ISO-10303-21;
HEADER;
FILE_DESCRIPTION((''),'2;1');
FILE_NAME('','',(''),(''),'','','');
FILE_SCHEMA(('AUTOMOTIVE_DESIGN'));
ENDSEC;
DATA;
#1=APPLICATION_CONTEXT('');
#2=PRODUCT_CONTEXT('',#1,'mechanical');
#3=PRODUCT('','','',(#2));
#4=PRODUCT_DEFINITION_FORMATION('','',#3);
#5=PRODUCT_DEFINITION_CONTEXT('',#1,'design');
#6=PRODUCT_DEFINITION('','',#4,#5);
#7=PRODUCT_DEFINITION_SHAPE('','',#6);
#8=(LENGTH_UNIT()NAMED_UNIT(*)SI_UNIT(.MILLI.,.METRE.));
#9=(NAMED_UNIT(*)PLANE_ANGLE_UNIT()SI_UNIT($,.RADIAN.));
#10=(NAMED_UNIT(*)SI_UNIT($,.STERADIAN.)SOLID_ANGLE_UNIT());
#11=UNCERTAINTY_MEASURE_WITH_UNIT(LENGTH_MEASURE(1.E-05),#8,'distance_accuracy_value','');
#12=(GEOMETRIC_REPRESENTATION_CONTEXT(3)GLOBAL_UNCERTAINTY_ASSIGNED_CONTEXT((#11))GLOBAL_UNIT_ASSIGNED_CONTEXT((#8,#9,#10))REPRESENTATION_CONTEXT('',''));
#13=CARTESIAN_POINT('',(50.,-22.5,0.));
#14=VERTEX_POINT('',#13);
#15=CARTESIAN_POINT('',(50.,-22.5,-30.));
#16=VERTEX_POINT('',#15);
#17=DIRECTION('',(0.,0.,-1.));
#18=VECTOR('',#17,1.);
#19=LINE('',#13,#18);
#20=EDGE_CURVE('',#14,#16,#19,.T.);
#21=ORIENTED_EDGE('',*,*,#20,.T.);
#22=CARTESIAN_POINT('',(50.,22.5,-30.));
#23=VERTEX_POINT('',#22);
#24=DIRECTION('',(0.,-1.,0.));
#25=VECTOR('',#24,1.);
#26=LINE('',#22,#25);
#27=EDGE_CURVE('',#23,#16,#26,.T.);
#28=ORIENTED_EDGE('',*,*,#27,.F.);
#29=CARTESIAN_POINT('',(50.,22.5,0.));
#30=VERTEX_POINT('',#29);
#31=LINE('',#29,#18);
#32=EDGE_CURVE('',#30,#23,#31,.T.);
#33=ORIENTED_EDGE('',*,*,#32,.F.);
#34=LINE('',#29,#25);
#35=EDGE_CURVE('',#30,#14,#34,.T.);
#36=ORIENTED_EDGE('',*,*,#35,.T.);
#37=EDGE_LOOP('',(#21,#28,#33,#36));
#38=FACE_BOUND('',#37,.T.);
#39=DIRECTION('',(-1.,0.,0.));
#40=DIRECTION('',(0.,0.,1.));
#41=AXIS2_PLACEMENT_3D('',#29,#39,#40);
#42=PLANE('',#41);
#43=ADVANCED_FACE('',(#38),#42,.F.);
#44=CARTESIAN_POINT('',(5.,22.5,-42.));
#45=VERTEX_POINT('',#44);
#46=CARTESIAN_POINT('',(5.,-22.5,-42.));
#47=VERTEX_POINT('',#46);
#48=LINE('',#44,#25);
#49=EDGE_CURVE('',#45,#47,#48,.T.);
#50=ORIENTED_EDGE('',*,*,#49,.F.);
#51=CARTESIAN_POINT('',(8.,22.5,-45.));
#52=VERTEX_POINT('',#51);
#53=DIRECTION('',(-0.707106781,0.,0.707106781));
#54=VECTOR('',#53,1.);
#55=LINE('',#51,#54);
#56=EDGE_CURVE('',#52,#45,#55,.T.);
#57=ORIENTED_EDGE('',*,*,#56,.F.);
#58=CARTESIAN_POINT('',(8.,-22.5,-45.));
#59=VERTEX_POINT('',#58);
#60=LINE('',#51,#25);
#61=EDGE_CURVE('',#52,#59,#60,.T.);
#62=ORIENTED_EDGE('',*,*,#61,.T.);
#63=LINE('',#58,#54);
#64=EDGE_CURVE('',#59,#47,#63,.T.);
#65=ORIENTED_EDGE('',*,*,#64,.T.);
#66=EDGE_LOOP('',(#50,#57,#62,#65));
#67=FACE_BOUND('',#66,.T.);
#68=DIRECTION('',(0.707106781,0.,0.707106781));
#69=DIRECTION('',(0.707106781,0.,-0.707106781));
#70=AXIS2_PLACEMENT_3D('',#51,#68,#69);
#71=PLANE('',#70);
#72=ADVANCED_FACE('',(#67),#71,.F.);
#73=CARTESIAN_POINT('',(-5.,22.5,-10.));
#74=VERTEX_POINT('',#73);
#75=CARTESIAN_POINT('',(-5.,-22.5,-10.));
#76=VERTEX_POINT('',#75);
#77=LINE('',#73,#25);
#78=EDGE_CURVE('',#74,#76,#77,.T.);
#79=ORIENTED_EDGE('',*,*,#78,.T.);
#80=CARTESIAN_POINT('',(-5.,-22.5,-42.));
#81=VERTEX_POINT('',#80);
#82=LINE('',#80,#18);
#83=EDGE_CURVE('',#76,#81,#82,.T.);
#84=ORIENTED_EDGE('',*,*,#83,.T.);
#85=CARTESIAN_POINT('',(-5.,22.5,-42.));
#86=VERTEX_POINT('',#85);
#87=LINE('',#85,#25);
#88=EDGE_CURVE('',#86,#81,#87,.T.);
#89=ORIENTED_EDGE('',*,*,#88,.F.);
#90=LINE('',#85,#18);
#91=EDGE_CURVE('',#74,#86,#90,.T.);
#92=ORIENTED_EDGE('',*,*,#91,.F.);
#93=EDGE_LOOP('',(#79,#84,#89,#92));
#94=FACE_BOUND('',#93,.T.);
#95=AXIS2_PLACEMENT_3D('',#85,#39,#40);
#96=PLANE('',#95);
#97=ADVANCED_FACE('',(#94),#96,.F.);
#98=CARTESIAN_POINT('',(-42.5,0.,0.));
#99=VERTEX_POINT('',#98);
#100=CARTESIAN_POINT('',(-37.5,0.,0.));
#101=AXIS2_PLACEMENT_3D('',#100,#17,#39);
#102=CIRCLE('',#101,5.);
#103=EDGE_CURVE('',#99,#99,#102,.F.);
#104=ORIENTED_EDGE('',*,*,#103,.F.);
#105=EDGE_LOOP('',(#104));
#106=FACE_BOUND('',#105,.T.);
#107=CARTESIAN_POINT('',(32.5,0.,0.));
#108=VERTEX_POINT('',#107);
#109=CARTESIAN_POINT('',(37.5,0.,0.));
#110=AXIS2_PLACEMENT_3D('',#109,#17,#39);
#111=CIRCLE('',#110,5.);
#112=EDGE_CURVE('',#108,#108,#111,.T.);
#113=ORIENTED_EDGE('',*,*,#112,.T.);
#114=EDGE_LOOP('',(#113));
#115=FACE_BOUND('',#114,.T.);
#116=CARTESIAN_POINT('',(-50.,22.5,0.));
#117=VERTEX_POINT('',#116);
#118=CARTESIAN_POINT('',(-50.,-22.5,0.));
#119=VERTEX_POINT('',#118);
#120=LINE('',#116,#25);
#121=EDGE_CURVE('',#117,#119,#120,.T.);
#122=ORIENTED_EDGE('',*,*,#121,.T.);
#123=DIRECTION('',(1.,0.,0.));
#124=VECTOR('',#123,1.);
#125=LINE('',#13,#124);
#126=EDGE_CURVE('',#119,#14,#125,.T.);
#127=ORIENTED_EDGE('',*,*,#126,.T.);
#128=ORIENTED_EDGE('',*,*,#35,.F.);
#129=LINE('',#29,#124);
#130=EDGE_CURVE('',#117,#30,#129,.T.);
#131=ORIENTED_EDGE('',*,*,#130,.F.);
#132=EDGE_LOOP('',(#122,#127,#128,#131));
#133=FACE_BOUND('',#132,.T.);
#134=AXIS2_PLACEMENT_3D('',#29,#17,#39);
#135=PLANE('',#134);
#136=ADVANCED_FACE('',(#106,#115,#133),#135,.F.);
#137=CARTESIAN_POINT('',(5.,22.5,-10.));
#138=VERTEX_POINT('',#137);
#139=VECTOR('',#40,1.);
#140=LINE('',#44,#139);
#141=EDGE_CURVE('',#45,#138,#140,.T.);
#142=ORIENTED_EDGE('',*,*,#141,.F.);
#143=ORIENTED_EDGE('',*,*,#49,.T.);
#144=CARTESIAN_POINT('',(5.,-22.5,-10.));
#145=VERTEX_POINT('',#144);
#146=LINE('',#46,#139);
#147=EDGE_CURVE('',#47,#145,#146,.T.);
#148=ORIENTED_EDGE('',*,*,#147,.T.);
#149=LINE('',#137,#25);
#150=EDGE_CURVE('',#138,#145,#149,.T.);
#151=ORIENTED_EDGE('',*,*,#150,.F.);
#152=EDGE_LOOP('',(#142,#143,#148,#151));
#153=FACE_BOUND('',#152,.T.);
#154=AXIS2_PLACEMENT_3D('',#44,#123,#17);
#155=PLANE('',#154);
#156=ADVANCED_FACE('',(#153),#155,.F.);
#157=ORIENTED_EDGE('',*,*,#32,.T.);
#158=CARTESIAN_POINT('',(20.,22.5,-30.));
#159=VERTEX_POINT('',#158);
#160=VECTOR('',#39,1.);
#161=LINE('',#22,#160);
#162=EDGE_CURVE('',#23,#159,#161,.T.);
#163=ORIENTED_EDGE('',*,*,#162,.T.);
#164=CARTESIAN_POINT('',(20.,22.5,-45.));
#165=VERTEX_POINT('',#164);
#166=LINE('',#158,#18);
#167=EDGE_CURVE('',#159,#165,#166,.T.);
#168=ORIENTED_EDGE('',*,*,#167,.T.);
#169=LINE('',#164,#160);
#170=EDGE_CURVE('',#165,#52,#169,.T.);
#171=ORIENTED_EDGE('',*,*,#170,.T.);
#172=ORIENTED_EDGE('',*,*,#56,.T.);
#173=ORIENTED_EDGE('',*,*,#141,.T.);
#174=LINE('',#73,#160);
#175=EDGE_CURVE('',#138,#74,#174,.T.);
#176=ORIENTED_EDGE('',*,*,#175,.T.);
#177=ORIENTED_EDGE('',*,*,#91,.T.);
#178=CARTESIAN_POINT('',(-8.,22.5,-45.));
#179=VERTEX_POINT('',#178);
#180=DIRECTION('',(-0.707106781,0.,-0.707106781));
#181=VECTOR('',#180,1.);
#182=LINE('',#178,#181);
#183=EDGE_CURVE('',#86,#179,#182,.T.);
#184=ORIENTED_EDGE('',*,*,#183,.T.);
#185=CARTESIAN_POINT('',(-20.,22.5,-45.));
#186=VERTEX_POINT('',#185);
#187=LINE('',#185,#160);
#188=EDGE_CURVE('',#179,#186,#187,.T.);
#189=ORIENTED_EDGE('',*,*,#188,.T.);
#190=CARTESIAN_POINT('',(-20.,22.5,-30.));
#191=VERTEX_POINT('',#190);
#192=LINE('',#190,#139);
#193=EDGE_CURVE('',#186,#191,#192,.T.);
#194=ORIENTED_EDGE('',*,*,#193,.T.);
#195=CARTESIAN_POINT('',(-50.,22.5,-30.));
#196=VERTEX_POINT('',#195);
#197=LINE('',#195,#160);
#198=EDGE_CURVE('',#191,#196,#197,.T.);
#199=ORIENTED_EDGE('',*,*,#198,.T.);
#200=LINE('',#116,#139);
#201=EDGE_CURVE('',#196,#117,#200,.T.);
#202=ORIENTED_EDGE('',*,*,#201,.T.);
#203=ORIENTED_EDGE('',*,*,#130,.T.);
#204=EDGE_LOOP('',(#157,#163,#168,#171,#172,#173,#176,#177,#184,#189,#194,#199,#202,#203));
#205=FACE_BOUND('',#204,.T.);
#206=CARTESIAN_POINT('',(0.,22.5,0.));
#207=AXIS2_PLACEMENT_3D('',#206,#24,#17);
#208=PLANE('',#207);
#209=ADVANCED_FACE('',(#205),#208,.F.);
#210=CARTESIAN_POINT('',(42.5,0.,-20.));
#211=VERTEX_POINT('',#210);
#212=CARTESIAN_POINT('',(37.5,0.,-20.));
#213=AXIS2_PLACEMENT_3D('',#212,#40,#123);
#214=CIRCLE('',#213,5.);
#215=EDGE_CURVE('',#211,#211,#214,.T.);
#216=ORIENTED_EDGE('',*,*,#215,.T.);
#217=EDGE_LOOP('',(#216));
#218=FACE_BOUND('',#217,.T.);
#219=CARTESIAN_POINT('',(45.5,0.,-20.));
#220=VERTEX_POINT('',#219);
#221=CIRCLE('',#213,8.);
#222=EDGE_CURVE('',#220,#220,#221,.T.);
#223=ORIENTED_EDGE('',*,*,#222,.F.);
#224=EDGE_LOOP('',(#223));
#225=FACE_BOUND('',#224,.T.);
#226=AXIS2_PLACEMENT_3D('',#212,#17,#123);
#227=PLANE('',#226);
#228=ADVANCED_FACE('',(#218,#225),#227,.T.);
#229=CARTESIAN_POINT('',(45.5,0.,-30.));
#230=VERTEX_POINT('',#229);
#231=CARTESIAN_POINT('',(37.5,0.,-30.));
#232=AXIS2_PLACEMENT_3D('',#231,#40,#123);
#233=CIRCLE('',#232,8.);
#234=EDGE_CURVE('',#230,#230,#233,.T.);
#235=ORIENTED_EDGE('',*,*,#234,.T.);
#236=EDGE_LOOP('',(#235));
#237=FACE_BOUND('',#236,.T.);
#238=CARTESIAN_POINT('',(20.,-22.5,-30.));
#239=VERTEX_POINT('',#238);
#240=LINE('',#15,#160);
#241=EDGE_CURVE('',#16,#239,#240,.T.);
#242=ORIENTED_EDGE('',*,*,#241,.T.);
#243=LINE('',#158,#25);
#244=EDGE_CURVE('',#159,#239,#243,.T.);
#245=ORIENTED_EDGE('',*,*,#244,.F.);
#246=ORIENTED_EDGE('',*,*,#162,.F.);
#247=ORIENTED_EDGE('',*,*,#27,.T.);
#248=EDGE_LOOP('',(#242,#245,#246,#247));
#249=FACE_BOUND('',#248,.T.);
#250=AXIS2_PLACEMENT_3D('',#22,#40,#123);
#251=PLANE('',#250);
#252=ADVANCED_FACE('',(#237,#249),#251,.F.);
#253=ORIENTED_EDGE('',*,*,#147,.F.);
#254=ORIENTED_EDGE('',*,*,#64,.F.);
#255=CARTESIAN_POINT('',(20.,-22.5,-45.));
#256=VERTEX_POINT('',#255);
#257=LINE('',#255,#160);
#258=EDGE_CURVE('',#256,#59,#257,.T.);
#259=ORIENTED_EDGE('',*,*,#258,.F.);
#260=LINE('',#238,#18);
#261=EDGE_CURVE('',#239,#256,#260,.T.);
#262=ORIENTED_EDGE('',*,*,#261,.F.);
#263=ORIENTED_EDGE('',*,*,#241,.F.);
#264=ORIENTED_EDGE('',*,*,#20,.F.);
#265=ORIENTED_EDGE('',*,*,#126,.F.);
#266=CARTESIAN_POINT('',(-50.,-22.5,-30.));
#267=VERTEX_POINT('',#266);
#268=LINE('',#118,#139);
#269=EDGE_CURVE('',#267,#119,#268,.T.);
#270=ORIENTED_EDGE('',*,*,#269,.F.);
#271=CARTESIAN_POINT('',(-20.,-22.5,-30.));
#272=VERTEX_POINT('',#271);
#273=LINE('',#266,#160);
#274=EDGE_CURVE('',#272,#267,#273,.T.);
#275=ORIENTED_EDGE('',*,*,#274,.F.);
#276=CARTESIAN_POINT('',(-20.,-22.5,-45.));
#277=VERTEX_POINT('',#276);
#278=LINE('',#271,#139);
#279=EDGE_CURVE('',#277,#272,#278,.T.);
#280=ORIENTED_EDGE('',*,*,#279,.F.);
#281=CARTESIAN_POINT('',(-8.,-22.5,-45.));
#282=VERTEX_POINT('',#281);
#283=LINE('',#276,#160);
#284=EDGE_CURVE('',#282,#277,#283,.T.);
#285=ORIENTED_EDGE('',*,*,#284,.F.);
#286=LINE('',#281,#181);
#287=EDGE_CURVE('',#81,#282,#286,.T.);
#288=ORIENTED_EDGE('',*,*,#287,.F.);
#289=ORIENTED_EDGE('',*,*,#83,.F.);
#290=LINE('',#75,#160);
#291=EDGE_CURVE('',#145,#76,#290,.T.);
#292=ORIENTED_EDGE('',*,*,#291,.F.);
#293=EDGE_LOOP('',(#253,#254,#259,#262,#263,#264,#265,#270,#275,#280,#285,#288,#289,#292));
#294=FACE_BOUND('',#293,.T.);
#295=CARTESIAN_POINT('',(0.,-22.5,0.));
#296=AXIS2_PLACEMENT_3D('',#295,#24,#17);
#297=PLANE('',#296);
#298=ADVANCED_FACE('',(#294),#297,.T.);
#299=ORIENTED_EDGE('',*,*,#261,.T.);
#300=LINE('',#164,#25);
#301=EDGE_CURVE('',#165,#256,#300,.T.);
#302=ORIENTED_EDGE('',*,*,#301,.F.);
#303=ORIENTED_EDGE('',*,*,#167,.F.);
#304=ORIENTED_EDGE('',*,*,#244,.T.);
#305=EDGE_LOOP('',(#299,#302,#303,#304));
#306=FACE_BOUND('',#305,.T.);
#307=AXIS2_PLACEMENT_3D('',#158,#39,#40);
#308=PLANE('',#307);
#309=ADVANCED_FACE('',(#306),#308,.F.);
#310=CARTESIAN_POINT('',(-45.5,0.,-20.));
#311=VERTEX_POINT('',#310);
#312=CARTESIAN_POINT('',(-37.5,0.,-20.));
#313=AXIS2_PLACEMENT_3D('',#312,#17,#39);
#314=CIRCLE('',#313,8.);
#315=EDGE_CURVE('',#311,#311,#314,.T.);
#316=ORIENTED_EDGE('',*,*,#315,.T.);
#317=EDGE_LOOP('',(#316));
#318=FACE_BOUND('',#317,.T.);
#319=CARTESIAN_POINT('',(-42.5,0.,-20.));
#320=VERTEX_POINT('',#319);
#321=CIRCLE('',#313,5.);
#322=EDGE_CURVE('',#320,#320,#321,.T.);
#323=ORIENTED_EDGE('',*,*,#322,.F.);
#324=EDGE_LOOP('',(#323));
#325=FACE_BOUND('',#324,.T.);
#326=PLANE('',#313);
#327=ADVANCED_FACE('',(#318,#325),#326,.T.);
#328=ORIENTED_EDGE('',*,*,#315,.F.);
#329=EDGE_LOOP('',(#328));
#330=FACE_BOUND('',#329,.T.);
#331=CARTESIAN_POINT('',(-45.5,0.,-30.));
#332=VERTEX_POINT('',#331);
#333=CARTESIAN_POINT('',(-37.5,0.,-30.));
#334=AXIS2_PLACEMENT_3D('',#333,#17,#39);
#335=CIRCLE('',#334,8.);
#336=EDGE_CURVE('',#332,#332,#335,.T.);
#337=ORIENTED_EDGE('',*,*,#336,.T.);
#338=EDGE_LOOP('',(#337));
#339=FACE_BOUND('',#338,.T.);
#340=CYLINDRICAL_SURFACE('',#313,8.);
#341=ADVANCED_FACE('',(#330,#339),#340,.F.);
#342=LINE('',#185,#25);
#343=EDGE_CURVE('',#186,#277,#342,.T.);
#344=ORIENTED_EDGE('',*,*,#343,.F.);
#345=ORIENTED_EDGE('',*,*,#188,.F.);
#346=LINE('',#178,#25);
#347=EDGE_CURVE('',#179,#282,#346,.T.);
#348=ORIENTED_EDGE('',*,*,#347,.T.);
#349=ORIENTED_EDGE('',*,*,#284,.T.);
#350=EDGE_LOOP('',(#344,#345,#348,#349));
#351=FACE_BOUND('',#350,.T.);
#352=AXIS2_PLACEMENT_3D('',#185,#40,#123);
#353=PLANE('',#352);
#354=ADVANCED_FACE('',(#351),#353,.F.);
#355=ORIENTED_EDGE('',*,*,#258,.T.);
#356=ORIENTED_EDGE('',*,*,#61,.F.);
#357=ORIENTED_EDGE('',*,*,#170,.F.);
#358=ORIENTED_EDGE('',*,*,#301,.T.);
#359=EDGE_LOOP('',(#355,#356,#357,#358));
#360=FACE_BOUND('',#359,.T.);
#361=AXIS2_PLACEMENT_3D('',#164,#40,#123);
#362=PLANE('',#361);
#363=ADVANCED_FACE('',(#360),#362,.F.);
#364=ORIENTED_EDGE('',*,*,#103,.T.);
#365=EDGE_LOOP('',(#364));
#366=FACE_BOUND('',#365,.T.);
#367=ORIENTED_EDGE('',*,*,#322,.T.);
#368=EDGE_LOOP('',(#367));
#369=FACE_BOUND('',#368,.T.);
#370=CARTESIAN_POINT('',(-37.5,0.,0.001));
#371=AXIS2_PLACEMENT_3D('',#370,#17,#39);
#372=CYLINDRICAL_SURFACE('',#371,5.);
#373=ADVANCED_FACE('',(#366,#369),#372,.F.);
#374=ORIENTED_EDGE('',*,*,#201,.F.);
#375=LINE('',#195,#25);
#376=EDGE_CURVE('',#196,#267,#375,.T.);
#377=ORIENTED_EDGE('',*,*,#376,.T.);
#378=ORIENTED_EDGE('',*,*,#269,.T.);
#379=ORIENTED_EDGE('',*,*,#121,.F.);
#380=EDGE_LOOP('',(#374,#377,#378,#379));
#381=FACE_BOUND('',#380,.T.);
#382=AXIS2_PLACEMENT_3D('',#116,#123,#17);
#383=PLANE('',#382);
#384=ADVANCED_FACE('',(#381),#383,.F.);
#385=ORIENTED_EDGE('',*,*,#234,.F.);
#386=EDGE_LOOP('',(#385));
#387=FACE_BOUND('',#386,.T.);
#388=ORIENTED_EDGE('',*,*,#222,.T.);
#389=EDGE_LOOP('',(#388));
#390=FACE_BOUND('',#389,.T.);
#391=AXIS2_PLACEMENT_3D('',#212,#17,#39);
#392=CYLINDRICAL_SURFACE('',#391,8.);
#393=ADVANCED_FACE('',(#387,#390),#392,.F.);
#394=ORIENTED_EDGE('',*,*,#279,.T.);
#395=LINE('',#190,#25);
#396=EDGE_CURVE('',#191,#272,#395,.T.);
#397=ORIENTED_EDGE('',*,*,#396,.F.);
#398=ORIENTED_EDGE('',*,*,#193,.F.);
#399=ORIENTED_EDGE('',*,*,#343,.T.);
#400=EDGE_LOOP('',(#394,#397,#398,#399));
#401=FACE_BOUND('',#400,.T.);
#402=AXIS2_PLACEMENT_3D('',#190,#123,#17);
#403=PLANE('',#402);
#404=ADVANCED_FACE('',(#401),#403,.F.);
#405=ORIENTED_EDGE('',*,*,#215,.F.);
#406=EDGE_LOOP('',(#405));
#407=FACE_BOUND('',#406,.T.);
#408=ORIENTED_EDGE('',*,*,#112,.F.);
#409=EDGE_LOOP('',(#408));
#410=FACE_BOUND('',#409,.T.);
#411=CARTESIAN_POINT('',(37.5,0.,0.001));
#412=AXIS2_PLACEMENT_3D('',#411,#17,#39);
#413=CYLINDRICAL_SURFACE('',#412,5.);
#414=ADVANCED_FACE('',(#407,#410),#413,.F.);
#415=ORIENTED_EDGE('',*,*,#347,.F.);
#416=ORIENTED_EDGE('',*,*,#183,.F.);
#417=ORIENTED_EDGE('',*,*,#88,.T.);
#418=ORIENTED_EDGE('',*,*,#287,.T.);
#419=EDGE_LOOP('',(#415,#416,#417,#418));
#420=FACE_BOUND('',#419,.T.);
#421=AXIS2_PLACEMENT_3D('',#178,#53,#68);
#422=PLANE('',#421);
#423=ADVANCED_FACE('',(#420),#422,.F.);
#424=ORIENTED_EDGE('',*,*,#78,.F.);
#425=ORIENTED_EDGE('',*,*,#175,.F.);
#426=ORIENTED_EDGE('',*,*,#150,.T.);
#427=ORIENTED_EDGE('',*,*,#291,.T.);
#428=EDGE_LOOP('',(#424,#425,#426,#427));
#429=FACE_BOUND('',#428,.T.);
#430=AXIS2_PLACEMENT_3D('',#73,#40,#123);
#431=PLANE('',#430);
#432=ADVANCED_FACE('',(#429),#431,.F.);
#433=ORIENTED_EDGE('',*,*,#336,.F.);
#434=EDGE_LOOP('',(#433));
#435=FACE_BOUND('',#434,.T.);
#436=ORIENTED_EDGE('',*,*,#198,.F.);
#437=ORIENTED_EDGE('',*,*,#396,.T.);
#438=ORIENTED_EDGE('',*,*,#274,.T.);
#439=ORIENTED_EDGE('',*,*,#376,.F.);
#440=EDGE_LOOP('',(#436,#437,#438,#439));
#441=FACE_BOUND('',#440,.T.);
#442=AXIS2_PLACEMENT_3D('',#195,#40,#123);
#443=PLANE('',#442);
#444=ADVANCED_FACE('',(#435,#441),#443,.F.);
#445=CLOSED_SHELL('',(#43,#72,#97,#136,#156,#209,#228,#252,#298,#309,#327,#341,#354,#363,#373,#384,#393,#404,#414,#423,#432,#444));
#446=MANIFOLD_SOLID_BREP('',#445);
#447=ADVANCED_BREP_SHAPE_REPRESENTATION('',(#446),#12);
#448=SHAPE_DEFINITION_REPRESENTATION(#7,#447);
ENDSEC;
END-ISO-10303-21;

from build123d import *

# Parameters (mm, degrees)
EXTRUDE_1_DEPTH     = 22.5
SKETCH_2_R          = 8
CUT_EXTRUDE_1_DEPTH = 10
CUT_EXTRUDE_2_REACH = 62.26
SKETCH_3_R          = 5


with BuildPart() as part:
    # Эскиз1 → Бобышка-Вытянуть1 (new, symmetric)
    with BuildSketch(Plane(origin=(0, 0, 0), x_dir=(1, 0, 0), z_dir=(0, 1, 0))):
        Polygon((50, 0), (-50, 0), (-50, 30), (-20, 30), (-20, 45), (-8, 45), (-5, 42), (-5, 10), (5, 10), (5, 42), (8, 45), (20, 45), (20, 30), (50, 30), align=None)
    extrude(amount=EXTRUDE_1_DEPTH, both=True)

    # Эскиз2 → Вырез-Вытянуть1 (cut)
    with BuildSketch(Plane(origin=(0, 0, -30), x_dir=(-1, 0, 0), z_dir=(0, 0, -1))):
        with Locations((37.5, 0)):
            Circle(SKETCH_2_R)
    cut_extrude_1 = extrude(amount=-CUT_EXTRUDE_1_DEPTH, mode=Mode.SUBTRACT)

    # Эскиз3 → Вырез-Вытянуть2 (cut, up to next)
    with BuildSketch(Plane(origin=(0, 0, -20), x_dir=(-1, 0, 0), z_dir=(0, 0, -1)), mode=Mode.PRIVATE) as cut_extrude_2_sk1:
        with Locations((37.5, 0)):
            Circle(SKETCH_3_R)
    cut_extrude_2_tool1 = extrude(cut_extrude_2_sk1.sketch, amount=-CUT_EXTRUDE_2_REACH, mode=Mode.PRIVATE) & part.part
    cut_extrude_2 = cut_extrude_2_tool1.solids().sort_by_distance((-37.5, 0, -20))[0]
    add(cut_extrude_2, mode=Mode.SUBTRACT)

    # Зеркальное отражение1: Вырез-Вытянуть1, Вырез-Вытянуть2 across plane
    add(cut_extrude_1.mirror(Plane(origin=(0, 0, 0), x_dir=(0, 0, 1), z_dir=(1, 0, 0))), mode=Mode.SUBTRACT)
    add(cut_extrude_2.mirror(Plane(origin=(0, 0, 0), x_dir=(0, 0, 1), z_dir=(1, 0, 0))), mode=Mode.SUBTRACT)


solid = part.part
